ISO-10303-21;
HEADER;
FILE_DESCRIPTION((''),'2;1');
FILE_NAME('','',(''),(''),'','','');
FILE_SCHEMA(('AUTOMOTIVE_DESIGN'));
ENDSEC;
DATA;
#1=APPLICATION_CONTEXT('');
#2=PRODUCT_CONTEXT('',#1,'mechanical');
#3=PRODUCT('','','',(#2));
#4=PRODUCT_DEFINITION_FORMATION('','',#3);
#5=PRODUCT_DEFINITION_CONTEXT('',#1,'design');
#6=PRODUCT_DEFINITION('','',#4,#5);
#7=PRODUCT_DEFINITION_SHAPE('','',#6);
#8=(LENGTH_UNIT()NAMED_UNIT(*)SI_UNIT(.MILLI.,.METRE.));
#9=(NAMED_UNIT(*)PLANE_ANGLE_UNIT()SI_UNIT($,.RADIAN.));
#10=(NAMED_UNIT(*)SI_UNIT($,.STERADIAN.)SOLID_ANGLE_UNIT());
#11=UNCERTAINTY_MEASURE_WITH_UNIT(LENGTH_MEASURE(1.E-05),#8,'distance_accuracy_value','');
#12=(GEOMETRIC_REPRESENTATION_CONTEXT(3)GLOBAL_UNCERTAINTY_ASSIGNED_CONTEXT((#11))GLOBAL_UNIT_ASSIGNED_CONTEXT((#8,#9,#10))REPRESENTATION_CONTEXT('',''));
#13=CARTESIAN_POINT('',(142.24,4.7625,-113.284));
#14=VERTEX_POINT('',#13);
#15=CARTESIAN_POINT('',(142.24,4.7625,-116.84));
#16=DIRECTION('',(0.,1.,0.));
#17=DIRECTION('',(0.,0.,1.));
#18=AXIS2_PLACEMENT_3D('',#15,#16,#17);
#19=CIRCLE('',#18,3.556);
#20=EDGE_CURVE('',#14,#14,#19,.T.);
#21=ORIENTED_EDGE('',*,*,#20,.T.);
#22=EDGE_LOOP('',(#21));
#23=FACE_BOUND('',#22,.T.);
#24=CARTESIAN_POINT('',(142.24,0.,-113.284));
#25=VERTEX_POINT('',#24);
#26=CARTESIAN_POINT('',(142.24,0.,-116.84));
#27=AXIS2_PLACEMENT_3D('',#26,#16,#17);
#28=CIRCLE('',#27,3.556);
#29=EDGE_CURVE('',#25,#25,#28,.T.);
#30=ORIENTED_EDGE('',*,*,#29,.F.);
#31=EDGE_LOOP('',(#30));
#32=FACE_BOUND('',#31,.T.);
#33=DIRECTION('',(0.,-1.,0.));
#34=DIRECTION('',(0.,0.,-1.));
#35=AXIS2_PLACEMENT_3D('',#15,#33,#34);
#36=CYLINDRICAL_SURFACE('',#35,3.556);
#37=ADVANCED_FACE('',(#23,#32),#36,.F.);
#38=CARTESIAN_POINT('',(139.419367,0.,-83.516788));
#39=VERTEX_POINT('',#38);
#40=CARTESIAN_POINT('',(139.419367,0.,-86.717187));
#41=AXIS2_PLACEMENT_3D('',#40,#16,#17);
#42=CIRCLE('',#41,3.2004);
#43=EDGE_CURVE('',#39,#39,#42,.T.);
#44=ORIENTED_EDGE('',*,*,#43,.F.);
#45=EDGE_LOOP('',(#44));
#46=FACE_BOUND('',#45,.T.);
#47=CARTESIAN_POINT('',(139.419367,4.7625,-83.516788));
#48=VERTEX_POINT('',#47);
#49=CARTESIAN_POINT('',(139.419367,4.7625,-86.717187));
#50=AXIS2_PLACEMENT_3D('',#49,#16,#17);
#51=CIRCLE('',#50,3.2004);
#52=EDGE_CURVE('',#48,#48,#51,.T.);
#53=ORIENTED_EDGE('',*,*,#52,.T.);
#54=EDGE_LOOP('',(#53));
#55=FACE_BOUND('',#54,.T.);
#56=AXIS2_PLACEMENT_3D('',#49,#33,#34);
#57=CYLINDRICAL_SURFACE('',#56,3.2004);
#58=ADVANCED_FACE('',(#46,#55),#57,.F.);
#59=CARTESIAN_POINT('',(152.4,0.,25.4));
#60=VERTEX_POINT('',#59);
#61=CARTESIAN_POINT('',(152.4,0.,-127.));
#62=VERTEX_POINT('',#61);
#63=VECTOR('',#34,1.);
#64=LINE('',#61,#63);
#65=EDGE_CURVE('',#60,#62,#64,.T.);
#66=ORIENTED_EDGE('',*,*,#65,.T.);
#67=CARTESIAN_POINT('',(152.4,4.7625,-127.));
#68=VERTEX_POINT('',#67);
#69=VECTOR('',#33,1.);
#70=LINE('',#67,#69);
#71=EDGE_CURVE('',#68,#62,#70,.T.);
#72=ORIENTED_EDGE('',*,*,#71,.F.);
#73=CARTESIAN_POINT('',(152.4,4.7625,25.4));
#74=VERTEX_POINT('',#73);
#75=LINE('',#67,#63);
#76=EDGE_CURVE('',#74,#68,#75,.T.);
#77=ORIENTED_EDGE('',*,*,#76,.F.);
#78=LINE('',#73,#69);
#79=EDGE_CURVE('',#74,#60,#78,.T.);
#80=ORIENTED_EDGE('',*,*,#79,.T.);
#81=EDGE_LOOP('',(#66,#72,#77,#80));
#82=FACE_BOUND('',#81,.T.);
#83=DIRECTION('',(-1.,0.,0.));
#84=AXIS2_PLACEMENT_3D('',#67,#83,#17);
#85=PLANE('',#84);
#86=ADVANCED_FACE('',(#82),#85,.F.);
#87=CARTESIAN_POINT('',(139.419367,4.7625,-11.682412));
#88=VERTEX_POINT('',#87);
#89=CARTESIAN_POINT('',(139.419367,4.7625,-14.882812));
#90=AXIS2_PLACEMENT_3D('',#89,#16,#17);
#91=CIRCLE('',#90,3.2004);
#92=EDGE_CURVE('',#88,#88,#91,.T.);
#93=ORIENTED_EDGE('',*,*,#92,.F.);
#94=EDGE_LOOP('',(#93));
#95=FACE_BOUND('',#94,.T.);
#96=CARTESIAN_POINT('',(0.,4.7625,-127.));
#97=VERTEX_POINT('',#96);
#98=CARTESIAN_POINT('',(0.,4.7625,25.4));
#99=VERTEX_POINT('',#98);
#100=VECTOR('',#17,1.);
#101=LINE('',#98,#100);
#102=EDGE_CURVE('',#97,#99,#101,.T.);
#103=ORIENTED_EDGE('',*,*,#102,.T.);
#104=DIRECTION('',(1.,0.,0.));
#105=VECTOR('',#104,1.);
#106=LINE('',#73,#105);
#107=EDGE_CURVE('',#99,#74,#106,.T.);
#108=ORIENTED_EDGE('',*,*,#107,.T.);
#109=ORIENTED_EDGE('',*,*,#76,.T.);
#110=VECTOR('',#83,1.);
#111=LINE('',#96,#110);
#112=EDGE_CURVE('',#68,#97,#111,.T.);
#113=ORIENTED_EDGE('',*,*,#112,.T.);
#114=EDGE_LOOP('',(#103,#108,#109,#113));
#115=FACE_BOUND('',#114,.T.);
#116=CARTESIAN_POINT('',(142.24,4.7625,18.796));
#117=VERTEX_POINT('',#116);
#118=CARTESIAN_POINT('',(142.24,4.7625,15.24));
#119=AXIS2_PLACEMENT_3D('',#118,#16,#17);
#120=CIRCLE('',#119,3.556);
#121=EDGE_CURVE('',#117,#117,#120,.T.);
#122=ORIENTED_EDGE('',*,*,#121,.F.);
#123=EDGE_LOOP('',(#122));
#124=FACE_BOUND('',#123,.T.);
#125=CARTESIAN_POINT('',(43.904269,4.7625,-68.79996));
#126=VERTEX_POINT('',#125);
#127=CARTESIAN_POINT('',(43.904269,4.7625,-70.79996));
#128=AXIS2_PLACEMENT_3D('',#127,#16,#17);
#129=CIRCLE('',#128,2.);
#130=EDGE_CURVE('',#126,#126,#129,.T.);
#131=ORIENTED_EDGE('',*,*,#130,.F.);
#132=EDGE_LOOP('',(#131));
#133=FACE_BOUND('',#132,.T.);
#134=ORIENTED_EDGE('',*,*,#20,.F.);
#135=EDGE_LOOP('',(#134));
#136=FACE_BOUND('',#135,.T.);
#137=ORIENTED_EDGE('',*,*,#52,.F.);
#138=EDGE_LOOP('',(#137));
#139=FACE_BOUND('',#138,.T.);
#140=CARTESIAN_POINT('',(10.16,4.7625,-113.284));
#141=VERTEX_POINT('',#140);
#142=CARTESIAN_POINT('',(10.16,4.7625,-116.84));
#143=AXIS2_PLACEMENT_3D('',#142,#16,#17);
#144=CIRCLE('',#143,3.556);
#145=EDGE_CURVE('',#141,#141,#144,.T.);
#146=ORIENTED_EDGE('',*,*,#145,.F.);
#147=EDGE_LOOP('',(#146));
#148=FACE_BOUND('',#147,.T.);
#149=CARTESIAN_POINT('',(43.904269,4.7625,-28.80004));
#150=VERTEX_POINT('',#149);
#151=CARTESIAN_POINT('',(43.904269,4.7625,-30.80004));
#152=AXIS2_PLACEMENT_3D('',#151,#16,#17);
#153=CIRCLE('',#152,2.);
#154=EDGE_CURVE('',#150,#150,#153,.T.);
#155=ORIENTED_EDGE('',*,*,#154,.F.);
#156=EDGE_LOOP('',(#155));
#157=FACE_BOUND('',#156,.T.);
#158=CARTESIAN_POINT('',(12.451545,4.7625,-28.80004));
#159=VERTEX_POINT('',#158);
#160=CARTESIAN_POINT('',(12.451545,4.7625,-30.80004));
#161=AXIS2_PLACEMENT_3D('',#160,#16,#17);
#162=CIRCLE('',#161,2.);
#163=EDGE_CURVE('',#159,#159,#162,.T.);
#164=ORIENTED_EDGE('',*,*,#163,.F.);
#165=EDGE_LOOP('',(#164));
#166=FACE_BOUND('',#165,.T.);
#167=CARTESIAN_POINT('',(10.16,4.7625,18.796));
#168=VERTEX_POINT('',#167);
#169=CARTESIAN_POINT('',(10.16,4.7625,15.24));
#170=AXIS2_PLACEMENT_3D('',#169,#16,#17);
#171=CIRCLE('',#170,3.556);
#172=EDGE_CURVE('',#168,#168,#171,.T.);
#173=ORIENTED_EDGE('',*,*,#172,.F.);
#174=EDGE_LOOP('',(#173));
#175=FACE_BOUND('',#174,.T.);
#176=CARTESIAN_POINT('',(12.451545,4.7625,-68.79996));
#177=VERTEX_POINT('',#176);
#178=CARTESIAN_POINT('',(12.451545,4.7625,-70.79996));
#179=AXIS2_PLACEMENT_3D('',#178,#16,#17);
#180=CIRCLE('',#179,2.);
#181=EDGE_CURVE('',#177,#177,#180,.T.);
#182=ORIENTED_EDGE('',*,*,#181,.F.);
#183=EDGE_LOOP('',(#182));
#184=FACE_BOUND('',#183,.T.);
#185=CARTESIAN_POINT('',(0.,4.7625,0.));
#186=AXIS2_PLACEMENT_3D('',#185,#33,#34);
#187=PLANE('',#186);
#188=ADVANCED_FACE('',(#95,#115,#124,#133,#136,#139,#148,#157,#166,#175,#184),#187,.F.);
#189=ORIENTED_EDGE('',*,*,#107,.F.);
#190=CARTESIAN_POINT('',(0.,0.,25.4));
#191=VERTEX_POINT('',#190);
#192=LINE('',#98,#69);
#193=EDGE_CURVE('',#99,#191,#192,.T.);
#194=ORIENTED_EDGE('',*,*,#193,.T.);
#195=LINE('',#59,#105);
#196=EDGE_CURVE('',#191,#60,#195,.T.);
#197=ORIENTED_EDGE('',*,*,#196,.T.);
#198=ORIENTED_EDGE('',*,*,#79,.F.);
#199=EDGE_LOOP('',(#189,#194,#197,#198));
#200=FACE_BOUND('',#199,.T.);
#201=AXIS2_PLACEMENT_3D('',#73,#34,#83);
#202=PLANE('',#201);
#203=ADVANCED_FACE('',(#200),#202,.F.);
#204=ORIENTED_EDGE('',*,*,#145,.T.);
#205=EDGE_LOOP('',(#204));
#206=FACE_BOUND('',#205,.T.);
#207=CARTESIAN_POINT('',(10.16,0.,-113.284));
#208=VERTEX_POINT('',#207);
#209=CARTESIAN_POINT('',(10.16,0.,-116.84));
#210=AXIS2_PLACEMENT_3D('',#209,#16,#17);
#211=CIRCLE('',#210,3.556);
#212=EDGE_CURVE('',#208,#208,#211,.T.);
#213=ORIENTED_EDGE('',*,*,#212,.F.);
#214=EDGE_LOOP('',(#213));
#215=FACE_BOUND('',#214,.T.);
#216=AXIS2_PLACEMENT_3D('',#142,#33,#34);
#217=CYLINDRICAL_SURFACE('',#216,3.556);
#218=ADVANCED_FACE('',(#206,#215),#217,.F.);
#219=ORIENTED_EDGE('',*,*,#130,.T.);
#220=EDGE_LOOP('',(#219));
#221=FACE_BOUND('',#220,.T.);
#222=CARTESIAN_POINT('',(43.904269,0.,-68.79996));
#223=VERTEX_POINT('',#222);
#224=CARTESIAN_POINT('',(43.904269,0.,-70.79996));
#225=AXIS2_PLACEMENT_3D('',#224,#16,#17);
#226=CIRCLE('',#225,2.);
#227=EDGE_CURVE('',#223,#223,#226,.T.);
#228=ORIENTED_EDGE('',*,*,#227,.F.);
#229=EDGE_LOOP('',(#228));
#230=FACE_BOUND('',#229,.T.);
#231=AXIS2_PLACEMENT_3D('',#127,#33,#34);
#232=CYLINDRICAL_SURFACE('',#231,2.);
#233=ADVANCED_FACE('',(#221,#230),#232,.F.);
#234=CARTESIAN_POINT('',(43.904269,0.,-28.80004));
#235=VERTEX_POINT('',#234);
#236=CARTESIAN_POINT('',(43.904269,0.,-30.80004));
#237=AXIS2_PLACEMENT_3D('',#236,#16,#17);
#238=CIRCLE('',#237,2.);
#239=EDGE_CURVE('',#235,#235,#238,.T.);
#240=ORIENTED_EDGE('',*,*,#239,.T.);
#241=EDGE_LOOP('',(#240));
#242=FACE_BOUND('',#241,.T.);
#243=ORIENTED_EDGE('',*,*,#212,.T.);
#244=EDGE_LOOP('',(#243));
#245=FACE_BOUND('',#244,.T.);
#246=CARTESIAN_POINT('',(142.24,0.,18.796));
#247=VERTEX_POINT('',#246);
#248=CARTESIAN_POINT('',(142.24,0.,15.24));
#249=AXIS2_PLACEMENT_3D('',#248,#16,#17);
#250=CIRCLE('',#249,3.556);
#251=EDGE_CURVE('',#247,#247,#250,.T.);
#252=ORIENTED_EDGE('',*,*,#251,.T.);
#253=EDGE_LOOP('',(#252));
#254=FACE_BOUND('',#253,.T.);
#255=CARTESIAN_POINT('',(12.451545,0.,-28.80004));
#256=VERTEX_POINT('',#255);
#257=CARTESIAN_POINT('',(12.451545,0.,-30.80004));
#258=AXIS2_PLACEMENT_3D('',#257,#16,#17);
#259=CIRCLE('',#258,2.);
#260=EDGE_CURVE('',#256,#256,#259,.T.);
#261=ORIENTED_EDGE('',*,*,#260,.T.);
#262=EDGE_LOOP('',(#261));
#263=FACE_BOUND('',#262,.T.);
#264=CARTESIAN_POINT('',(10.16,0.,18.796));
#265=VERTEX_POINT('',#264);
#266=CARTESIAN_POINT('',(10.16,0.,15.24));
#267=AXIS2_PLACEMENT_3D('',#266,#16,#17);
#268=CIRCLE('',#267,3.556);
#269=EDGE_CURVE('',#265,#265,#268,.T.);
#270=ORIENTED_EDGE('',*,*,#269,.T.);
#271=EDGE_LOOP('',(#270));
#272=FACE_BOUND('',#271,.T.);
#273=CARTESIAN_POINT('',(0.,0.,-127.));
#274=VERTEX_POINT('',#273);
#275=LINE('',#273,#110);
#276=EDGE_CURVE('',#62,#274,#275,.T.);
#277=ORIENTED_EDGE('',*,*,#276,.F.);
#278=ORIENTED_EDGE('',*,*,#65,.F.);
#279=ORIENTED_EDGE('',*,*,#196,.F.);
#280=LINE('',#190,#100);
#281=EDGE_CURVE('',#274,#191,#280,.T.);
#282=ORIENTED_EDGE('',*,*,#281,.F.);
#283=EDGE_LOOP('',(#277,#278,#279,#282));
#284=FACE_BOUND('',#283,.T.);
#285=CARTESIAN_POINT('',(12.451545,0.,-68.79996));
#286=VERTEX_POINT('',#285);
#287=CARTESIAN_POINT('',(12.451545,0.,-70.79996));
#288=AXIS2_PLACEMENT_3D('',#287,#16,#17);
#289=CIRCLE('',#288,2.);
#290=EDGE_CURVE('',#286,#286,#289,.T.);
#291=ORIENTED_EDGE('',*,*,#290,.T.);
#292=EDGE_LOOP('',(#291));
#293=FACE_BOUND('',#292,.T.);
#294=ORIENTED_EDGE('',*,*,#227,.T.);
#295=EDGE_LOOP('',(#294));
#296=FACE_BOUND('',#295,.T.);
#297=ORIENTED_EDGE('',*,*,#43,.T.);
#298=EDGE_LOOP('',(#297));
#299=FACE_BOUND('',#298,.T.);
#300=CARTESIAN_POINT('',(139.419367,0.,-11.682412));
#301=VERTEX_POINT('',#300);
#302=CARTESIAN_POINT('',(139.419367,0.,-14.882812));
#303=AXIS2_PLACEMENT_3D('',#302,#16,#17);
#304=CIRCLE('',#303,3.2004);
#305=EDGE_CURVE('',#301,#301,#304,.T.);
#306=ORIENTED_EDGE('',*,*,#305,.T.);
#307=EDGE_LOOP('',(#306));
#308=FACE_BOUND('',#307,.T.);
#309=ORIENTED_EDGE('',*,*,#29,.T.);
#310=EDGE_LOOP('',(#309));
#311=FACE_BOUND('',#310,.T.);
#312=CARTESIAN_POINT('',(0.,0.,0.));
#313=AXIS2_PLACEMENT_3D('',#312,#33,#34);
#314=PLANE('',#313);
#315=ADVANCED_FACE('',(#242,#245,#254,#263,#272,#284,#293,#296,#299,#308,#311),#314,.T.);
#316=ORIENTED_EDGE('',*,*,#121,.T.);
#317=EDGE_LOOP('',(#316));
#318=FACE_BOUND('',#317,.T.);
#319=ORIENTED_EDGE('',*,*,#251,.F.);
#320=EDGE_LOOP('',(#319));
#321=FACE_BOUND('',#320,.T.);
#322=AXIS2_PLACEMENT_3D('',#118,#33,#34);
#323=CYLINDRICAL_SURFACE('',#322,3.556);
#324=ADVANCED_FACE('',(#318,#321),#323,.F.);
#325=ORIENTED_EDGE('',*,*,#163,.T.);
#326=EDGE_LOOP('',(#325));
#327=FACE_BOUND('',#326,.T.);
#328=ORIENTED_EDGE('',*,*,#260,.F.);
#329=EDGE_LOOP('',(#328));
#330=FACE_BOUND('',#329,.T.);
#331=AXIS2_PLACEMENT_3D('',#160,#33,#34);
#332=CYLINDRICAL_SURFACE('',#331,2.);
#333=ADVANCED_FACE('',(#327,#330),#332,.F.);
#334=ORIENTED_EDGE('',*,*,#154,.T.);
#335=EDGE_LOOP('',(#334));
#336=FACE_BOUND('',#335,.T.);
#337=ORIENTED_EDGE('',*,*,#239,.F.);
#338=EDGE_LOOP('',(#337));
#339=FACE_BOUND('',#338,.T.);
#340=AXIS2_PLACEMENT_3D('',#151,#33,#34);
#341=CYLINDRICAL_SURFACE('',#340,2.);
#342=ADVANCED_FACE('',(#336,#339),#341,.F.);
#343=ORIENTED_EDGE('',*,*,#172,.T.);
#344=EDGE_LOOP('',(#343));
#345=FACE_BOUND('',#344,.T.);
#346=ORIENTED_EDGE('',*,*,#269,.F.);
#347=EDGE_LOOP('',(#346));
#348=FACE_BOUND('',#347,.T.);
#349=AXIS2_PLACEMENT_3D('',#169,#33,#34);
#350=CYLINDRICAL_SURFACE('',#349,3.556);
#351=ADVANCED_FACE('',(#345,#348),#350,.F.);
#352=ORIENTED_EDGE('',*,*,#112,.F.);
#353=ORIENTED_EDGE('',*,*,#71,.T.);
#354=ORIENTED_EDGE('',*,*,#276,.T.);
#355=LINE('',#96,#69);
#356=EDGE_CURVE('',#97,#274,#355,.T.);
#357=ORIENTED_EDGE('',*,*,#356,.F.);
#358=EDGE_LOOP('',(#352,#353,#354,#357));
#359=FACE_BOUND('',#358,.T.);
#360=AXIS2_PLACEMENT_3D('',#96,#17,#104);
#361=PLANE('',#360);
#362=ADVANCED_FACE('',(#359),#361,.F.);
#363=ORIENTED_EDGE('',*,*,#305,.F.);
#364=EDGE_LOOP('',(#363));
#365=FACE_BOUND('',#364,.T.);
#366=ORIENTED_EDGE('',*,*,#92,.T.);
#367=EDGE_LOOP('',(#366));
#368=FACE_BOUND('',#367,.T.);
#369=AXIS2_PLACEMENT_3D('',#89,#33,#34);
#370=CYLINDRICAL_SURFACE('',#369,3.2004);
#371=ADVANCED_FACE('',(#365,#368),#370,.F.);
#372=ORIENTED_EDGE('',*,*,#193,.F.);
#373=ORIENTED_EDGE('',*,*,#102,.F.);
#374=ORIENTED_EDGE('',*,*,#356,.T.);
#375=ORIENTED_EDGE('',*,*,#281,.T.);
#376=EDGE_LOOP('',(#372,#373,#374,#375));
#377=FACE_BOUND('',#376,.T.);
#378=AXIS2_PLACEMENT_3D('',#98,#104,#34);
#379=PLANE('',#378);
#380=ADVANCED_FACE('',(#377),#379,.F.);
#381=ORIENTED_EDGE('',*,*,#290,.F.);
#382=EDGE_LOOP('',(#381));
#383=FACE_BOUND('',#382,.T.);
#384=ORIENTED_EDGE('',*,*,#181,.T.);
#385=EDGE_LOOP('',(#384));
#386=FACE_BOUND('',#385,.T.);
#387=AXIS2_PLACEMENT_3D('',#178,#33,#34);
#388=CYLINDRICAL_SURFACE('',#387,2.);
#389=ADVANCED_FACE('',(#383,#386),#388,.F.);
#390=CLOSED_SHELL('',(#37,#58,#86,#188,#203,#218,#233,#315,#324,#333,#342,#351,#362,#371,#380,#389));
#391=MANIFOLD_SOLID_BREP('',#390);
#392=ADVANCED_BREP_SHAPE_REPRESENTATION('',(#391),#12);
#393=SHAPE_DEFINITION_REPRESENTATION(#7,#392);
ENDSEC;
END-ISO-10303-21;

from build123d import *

# Parameters (mm, degrees)
SKETCH2_W           = 152.4
SKETCH2_H           = 152.4
SKETCH2_R           = 3.2004
SKETCH2_R_2         = 3.556
SKETCH2_R_3         = 2
BOSS_EXTRUDE1_DEPTH = 4.7625


with BuildPart() as part:
    # Sketch2 → Boss-Extrude1 (new body)
    with BuildSketch(Plane(origin=(0, 0, 0), x_dir=(1, 0, 0), z_dir=(0, 1, 0))):
        with Locations((76.2, 50.8)):
            Rectangle(SKETCH2_W, SKETCH2_H)
        with Locations((139.419367389, 14.8828125)):
            Circle(SKETCH2_R, mode=Mode.SUBTRACT)
        with Locations((139.419367389, 86.7171875)):
            Circle(SKETCH2_R, mode=Mode.SUBTRACT)
        with Locations((142.24, 116.84)):
            Circle(SKETCH2_R_2, mode=Mode.SUBTRACT)
        with Locations((10.16, 116.84)):
            Circle(SKETCH2_R_2, mode=Mode.SUBTRACT)
        with Locations((10.16, -15.24)):
            Circle(SKETCH2_R_2, mode=Mode.SUBTRACT)
        with Locations((142.24, -15.24)):
            Circle(SKETCH2_R_2, mode=Mode.SUBTRACT)
        with Locations((12.451545477, 30.80004)):
            Circle(SKETCH2_R_3, mode=Mode.SUBTRACT)
        with Locations((43.904269028, 30.80004)):
            Circle(SKETCH2_R_3, mode=Mode.SUBTRACT)
        with Locations((43.904269028, 70.79996)):
            Circle(SKETCH2_R_3, mode=Mode.SUBTRACT)
        with Locations((12.451545477, 70.79996)):
            Circle(SKETCH2_R_3, mode=Mode.SUBTRACT)
    extrude(amount=BOSS_EXTRUDE1_DEPTH)


solid = part.part
